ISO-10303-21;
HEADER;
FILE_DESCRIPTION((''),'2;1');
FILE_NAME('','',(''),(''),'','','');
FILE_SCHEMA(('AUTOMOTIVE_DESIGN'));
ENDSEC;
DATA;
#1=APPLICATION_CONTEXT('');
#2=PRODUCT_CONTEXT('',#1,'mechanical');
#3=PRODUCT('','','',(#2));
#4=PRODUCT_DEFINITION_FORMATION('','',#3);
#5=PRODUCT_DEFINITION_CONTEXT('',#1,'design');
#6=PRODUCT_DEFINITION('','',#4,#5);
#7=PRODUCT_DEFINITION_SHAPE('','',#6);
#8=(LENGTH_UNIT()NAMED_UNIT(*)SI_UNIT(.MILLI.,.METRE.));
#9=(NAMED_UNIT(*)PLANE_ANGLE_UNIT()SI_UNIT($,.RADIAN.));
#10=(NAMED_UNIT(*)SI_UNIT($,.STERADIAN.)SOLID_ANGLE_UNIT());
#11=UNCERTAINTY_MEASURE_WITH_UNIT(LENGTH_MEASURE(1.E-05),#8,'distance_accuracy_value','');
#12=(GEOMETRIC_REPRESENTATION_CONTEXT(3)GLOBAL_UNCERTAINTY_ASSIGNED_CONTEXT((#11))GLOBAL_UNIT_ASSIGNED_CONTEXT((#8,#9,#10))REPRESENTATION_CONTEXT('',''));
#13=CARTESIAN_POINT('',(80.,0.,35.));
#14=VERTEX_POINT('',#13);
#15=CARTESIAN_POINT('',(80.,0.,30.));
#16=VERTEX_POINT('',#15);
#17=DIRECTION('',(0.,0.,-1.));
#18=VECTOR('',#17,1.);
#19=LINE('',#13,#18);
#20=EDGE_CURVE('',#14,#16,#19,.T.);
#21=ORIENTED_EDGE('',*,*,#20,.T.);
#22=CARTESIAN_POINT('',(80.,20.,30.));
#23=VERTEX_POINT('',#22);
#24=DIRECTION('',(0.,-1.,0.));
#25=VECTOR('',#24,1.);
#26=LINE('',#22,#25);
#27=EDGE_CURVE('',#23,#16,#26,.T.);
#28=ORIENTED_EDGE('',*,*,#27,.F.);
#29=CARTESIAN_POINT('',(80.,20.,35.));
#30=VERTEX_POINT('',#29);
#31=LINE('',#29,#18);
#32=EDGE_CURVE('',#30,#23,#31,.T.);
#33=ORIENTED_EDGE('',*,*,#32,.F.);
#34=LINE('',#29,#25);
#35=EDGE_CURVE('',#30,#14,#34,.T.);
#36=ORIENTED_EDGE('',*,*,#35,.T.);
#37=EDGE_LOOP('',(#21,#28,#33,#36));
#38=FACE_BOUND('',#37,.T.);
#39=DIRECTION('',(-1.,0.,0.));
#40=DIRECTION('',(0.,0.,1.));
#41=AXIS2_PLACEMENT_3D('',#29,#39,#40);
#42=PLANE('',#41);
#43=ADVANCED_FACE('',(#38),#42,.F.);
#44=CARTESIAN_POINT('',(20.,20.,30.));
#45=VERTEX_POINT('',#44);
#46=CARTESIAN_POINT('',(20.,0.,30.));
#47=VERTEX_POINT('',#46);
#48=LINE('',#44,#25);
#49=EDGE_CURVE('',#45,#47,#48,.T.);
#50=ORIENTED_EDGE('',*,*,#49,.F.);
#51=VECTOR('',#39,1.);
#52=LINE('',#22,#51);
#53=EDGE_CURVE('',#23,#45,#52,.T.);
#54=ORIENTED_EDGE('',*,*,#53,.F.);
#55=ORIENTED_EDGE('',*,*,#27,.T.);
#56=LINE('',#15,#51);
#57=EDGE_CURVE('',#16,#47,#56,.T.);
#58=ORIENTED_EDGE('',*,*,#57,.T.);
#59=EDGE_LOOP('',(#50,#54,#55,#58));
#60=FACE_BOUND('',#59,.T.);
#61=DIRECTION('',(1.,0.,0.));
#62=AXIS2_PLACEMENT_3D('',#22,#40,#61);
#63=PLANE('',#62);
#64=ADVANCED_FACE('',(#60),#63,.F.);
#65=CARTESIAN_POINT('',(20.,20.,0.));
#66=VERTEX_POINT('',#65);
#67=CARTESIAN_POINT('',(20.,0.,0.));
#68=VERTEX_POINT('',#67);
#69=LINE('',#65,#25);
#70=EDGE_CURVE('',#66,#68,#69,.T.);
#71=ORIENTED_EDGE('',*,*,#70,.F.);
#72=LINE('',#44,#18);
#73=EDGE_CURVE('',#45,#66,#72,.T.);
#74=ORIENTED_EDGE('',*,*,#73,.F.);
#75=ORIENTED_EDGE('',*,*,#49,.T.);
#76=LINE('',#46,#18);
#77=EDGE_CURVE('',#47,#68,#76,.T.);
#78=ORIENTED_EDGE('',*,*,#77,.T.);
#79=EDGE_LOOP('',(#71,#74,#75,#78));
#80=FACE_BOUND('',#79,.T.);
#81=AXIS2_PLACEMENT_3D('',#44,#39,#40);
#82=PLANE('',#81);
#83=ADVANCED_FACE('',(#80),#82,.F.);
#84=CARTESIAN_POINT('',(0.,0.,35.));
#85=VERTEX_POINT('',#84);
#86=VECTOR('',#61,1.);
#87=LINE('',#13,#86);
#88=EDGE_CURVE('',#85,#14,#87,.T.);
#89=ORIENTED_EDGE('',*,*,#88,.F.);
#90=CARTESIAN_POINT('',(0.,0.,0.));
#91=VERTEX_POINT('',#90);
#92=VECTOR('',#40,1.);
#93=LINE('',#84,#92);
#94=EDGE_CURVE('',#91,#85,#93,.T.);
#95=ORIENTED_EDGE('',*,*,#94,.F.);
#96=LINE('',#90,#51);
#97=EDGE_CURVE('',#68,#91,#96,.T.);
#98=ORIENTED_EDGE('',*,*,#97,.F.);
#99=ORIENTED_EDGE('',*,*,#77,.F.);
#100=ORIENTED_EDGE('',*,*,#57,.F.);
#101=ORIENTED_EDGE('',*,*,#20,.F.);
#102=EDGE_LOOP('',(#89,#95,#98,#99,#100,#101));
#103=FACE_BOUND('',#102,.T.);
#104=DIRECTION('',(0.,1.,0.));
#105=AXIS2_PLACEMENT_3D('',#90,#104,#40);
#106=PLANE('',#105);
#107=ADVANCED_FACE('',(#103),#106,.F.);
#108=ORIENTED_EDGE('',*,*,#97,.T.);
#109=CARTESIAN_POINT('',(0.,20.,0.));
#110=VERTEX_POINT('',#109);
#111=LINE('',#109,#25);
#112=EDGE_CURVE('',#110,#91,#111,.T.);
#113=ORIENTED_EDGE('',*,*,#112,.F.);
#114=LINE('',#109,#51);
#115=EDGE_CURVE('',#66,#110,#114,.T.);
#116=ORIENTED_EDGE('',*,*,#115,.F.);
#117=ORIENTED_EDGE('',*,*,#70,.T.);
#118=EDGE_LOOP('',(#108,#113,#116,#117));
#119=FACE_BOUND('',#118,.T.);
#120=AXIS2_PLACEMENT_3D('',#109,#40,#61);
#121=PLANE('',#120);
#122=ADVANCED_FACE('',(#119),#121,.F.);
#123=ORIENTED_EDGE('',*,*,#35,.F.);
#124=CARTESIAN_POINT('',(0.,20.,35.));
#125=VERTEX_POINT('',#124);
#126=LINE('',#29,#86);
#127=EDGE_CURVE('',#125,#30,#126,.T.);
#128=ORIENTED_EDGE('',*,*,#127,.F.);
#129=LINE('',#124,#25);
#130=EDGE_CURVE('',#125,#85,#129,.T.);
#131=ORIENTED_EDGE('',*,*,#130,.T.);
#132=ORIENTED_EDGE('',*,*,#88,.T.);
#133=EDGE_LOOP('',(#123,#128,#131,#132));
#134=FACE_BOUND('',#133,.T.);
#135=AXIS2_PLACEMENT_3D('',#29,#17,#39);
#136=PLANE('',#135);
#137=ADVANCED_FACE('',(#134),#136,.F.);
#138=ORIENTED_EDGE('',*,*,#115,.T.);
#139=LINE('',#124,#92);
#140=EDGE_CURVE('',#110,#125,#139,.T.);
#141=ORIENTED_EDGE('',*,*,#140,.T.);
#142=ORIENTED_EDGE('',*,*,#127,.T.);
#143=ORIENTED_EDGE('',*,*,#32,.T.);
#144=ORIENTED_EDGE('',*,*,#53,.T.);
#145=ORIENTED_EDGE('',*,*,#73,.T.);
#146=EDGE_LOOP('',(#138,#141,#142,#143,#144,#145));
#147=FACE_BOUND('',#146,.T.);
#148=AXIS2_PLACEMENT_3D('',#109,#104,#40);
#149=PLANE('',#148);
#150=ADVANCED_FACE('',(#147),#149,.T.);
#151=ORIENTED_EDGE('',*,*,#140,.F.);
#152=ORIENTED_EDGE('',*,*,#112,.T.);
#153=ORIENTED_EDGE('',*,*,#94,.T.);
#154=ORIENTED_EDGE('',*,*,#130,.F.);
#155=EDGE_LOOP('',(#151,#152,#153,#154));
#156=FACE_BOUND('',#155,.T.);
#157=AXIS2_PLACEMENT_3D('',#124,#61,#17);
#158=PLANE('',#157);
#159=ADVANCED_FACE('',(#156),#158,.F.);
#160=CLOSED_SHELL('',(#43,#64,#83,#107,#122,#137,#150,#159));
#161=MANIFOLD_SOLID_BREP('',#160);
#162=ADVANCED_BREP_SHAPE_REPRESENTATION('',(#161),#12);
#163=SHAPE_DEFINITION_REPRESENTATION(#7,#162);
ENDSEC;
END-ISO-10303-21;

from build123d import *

# Parameters (mm, degrees)
BOSS_EXTRUDE1_DEPTH = 20


with BuildPart() as part:
    # Sketch2 → Boss-Extrude1 (new body)
    with BuildSketch(Plane(origin=(0, 0, 0), x_dir=(1, 0, 0), z_dir=(0, 1, 0))):
        Polygon((0, -35), (0, 0), (20, 0), (20, -30), (80, -30), (80, -35), align=None)
    extrude(amount=BOSS_EXTRUDE1_DEPTH)


solid = part.part
